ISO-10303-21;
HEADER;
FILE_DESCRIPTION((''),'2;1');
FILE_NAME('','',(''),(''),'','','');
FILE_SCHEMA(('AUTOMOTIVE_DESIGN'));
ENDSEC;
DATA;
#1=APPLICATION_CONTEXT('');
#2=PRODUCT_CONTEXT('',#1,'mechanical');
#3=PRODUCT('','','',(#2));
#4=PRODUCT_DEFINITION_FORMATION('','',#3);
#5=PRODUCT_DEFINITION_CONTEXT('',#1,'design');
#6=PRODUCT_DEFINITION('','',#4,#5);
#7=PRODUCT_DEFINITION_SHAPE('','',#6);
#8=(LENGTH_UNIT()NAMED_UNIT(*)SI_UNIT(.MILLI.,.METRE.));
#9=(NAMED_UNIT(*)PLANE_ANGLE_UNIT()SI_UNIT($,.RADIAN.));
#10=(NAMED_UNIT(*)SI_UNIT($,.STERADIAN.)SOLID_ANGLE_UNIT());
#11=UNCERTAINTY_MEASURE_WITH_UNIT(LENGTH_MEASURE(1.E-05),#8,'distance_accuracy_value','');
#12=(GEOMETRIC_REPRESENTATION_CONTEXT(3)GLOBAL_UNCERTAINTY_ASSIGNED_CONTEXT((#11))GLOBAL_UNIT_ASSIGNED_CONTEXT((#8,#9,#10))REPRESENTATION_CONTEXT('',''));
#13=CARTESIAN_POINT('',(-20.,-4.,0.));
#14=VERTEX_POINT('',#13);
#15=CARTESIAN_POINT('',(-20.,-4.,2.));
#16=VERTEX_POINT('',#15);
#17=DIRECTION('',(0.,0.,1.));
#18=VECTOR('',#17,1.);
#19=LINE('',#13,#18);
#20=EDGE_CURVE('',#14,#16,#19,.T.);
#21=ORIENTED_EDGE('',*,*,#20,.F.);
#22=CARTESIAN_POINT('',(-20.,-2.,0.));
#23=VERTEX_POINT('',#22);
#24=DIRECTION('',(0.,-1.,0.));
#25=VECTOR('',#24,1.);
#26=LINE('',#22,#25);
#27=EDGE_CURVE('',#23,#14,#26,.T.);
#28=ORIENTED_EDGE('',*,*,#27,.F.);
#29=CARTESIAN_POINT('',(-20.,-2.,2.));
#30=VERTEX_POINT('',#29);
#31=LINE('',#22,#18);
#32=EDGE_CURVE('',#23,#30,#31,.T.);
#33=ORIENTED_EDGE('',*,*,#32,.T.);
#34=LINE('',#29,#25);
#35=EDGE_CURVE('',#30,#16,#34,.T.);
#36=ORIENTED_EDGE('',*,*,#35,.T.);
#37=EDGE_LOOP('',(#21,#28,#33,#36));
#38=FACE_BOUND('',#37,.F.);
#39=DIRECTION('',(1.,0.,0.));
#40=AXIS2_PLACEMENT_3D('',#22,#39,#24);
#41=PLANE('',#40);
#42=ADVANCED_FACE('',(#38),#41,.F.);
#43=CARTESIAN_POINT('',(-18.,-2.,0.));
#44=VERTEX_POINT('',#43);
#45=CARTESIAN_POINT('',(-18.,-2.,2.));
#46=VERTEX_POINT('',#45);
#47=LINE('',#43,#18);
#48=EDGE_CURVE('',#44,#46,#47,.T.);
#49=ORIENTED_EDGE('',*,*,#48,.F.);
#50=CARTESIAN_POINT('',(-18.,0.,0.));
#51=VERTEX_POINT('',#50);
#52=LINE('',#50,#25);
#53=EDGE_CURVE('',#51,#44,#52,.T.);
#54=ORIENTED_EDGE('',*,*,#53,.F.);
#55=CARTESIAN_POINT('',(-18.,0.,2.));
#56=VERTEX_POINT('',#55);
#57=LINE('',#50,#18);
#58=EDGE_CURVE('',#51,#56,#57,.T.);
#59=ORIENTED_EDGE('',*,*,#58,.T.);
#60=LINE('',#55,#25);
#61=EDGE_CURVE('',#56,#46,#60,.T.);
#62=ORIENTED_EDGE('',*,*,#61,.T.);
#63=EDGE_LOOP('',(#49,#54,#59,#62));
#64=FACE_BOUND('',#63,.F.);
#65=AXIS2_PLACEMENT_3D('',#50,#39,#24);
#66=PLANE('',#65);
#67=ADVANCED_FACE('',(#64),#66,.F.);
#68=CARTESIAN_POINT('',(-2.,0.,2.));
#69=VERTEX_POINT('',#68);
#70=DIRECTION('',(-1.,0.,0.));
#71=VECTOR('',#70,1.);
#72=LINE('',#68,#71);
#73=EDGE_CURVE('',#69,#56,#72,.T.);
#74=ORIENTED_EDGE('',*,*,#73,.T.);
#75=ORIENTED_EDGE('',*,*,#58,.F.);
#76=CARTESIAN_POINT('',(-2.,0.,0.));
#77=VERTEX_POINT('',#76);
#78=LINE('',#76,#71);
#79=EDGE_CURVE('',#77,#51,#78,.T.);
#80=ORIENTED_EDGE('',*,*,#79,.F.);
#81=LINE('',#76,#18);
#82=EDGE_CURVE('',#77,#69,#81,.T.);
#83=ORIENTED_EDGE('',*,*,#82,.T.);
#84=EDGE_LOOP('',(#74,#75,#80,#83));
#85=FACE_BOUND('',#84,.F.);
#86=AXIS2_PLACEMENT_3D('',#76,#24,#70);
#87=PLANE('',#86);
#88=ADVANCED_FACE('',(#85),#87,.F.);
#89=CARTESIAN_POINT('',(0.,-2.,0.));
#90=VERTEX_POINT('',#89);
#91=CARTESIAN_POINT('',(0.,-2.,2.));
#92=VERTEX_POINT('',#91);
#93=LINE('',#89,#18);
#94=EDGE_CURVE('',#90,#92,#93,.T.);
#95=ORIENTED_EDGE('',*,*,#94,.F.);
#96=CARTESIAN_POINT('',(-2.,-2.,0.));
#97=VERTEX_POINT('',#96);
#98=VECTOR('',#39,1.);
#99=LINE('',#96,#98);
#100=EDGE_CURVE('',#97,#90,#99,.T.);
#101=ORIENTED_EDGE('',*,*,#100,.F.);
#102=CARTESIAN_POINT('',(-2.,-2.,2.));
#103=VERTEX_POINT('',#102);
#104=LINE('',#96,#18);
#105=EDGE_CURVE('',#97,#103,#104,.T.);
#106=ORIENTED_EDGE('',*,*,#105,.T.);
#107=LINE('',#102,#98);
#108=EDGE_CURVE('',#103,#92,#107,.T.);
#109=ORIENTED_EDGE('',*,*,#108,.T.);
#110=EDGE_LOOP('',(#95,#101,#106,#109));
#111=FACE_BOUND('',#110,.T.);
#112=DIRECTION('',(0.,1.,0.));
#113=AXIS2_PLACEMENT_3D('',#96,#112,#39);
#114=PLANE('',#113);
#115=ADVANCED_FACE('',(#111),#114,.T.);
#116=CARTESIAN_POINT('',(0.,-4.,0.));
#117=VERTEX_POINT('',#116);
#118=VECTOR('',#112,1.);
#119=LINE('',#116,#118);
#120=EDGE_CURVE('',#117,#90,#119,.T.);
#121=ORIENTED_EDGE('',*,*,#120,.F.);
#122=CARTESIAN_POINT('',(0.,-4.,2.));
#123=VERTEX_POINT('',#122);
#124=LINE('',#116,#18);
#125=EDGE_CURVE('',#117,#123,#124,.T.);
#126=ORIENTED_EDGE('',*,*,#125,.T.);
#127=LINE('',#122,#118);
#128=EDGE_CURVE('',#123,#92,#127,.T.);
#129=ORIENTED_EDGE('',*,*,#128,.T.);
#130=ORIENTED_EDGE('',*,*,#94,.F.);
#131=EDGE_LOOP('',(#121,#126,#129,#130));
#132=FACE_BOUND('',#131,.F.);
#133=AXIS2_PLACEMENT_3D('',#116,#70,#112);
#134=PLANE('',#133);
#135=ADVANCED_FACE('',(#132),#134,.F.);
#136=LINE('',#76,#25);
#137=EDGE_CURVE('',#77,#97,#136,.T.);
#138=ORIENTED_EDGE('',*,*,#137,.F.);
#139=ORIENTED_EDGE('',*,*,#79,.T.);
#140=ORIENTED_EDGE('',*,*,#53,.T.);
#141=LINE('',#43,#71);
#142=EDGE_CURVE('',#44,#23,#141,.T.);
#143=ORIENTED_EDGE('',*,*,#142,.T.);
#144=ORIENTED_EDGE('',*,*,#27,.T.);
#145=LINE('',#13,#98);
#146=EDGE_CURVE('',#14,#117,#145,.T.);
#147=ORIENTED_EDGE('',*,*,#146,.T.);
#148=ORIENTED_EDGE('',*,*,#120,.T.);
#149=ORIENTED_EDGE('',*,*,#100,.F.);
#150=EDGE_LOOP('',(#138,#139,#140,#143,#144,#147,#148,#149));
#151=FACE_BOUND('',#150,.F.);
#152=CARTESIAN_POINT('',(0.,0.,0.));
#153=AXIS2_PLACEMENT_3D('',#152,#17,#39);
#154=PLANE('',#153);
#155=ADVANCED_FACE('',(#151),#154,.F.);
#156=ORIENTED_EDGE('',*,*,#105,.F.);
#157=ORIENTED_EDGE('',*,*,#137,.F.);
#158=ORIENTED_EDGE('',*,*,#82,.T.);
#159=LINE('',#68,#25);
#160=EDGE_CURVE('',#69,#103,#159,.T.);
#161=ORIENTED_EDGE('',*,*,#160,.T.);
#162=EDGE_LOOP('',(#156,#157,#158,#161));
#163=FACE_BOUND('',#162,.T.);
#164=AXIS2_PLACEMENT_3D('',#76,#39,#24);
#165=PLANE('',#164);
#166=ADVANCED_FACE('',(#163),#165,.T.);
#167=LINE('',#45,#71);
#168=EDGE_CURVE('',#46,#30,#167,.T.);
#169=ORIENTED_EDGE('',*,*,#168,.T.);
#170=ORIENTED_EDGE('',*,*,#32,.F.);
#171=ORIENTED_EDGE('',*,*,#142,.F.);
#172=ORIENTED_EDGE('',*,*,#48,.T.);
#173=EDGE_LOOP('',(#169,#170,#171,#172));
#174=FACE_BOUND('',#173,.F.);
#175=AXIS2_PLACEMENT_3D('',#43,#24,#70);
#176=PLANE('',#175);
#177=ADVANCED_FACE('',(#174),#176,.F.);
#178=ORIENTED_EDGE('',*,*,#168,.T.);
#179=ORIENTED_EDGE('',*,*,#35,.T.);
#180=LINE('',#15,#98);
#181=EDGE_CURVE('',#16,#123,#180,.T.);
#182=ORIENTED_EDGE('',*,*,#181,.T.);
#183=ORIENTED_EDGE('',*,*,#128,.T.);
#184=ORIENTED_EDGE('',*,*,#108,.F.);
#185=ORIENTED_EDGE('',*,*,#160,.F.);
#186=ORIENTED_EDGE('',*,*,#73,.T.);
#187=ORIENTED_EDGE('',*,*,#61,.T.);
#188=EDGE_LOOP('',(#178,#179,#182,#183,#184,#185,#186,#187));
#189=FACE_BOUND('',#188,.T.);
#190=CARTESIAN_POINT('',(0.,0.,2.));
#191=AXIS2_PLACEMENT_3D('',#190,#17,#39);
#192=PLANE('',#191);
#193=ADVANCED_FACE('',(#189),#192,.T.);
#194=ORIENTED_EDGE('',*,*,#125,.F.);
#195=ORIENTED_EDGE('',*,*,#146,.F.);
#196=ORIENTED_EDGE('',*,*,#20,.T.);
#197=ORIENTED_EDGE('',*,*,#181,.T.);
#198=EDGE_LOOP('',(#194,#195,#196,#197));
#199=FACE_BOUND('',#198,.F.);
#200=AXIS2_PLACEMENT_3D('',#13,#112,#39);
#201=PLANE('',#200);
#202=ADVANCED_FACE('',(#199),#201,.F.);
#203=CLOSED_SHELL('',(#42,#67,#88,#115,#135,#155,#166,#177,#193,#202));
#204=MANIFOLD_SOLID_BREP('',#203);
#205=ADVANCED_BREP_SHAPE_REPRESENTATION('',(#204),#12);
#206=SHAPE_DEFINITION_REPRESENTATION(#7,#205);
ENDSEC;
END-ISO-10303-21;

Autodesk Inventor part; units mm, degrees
ref_plane "YZ Plane" through (0, 0, 0) normal (1, 0, 0) x (0, 1, 0)
ref_plane "XZ Plane" through (0, 0, 0) normal (0, 1, 0) x (-1, 0, 0)
ref_plane "XY Plane" through (0, 0, 0) normal (0, 0, 1) x (1, 0, 0)
sketch "Sketch1" plane through (0, 0, 0) normal (0, 0, 1) x (1, 0, 0)
  line L0 (-20, -4) -> (0, -4)
  line L1 (0, -4) -> (0, -2)
  line L2 (-18, 0) -> (-18, -2)
  line L3 (-18, -2) -> (-20, -2)
  line L4 (-2, 0) -> (-2, -2)
  line L5 (-2, -2) -> (0, -2)
  line L6 (-2, 0) -> (-18, 0)
  line L7 (-20, -2) -> (-20, -4)
  point P0 (0, 0)
  dimension "d0" = 4
  dimension "d1" = 20
  dimension "d2" = 2
  dimension "d3" = 2
  dimension "d4" = 2
extrude "Extrusion1" add sketch "Sketch1" along normal blind 2
properties part number "beam2" material "Wood (Cherry)"
